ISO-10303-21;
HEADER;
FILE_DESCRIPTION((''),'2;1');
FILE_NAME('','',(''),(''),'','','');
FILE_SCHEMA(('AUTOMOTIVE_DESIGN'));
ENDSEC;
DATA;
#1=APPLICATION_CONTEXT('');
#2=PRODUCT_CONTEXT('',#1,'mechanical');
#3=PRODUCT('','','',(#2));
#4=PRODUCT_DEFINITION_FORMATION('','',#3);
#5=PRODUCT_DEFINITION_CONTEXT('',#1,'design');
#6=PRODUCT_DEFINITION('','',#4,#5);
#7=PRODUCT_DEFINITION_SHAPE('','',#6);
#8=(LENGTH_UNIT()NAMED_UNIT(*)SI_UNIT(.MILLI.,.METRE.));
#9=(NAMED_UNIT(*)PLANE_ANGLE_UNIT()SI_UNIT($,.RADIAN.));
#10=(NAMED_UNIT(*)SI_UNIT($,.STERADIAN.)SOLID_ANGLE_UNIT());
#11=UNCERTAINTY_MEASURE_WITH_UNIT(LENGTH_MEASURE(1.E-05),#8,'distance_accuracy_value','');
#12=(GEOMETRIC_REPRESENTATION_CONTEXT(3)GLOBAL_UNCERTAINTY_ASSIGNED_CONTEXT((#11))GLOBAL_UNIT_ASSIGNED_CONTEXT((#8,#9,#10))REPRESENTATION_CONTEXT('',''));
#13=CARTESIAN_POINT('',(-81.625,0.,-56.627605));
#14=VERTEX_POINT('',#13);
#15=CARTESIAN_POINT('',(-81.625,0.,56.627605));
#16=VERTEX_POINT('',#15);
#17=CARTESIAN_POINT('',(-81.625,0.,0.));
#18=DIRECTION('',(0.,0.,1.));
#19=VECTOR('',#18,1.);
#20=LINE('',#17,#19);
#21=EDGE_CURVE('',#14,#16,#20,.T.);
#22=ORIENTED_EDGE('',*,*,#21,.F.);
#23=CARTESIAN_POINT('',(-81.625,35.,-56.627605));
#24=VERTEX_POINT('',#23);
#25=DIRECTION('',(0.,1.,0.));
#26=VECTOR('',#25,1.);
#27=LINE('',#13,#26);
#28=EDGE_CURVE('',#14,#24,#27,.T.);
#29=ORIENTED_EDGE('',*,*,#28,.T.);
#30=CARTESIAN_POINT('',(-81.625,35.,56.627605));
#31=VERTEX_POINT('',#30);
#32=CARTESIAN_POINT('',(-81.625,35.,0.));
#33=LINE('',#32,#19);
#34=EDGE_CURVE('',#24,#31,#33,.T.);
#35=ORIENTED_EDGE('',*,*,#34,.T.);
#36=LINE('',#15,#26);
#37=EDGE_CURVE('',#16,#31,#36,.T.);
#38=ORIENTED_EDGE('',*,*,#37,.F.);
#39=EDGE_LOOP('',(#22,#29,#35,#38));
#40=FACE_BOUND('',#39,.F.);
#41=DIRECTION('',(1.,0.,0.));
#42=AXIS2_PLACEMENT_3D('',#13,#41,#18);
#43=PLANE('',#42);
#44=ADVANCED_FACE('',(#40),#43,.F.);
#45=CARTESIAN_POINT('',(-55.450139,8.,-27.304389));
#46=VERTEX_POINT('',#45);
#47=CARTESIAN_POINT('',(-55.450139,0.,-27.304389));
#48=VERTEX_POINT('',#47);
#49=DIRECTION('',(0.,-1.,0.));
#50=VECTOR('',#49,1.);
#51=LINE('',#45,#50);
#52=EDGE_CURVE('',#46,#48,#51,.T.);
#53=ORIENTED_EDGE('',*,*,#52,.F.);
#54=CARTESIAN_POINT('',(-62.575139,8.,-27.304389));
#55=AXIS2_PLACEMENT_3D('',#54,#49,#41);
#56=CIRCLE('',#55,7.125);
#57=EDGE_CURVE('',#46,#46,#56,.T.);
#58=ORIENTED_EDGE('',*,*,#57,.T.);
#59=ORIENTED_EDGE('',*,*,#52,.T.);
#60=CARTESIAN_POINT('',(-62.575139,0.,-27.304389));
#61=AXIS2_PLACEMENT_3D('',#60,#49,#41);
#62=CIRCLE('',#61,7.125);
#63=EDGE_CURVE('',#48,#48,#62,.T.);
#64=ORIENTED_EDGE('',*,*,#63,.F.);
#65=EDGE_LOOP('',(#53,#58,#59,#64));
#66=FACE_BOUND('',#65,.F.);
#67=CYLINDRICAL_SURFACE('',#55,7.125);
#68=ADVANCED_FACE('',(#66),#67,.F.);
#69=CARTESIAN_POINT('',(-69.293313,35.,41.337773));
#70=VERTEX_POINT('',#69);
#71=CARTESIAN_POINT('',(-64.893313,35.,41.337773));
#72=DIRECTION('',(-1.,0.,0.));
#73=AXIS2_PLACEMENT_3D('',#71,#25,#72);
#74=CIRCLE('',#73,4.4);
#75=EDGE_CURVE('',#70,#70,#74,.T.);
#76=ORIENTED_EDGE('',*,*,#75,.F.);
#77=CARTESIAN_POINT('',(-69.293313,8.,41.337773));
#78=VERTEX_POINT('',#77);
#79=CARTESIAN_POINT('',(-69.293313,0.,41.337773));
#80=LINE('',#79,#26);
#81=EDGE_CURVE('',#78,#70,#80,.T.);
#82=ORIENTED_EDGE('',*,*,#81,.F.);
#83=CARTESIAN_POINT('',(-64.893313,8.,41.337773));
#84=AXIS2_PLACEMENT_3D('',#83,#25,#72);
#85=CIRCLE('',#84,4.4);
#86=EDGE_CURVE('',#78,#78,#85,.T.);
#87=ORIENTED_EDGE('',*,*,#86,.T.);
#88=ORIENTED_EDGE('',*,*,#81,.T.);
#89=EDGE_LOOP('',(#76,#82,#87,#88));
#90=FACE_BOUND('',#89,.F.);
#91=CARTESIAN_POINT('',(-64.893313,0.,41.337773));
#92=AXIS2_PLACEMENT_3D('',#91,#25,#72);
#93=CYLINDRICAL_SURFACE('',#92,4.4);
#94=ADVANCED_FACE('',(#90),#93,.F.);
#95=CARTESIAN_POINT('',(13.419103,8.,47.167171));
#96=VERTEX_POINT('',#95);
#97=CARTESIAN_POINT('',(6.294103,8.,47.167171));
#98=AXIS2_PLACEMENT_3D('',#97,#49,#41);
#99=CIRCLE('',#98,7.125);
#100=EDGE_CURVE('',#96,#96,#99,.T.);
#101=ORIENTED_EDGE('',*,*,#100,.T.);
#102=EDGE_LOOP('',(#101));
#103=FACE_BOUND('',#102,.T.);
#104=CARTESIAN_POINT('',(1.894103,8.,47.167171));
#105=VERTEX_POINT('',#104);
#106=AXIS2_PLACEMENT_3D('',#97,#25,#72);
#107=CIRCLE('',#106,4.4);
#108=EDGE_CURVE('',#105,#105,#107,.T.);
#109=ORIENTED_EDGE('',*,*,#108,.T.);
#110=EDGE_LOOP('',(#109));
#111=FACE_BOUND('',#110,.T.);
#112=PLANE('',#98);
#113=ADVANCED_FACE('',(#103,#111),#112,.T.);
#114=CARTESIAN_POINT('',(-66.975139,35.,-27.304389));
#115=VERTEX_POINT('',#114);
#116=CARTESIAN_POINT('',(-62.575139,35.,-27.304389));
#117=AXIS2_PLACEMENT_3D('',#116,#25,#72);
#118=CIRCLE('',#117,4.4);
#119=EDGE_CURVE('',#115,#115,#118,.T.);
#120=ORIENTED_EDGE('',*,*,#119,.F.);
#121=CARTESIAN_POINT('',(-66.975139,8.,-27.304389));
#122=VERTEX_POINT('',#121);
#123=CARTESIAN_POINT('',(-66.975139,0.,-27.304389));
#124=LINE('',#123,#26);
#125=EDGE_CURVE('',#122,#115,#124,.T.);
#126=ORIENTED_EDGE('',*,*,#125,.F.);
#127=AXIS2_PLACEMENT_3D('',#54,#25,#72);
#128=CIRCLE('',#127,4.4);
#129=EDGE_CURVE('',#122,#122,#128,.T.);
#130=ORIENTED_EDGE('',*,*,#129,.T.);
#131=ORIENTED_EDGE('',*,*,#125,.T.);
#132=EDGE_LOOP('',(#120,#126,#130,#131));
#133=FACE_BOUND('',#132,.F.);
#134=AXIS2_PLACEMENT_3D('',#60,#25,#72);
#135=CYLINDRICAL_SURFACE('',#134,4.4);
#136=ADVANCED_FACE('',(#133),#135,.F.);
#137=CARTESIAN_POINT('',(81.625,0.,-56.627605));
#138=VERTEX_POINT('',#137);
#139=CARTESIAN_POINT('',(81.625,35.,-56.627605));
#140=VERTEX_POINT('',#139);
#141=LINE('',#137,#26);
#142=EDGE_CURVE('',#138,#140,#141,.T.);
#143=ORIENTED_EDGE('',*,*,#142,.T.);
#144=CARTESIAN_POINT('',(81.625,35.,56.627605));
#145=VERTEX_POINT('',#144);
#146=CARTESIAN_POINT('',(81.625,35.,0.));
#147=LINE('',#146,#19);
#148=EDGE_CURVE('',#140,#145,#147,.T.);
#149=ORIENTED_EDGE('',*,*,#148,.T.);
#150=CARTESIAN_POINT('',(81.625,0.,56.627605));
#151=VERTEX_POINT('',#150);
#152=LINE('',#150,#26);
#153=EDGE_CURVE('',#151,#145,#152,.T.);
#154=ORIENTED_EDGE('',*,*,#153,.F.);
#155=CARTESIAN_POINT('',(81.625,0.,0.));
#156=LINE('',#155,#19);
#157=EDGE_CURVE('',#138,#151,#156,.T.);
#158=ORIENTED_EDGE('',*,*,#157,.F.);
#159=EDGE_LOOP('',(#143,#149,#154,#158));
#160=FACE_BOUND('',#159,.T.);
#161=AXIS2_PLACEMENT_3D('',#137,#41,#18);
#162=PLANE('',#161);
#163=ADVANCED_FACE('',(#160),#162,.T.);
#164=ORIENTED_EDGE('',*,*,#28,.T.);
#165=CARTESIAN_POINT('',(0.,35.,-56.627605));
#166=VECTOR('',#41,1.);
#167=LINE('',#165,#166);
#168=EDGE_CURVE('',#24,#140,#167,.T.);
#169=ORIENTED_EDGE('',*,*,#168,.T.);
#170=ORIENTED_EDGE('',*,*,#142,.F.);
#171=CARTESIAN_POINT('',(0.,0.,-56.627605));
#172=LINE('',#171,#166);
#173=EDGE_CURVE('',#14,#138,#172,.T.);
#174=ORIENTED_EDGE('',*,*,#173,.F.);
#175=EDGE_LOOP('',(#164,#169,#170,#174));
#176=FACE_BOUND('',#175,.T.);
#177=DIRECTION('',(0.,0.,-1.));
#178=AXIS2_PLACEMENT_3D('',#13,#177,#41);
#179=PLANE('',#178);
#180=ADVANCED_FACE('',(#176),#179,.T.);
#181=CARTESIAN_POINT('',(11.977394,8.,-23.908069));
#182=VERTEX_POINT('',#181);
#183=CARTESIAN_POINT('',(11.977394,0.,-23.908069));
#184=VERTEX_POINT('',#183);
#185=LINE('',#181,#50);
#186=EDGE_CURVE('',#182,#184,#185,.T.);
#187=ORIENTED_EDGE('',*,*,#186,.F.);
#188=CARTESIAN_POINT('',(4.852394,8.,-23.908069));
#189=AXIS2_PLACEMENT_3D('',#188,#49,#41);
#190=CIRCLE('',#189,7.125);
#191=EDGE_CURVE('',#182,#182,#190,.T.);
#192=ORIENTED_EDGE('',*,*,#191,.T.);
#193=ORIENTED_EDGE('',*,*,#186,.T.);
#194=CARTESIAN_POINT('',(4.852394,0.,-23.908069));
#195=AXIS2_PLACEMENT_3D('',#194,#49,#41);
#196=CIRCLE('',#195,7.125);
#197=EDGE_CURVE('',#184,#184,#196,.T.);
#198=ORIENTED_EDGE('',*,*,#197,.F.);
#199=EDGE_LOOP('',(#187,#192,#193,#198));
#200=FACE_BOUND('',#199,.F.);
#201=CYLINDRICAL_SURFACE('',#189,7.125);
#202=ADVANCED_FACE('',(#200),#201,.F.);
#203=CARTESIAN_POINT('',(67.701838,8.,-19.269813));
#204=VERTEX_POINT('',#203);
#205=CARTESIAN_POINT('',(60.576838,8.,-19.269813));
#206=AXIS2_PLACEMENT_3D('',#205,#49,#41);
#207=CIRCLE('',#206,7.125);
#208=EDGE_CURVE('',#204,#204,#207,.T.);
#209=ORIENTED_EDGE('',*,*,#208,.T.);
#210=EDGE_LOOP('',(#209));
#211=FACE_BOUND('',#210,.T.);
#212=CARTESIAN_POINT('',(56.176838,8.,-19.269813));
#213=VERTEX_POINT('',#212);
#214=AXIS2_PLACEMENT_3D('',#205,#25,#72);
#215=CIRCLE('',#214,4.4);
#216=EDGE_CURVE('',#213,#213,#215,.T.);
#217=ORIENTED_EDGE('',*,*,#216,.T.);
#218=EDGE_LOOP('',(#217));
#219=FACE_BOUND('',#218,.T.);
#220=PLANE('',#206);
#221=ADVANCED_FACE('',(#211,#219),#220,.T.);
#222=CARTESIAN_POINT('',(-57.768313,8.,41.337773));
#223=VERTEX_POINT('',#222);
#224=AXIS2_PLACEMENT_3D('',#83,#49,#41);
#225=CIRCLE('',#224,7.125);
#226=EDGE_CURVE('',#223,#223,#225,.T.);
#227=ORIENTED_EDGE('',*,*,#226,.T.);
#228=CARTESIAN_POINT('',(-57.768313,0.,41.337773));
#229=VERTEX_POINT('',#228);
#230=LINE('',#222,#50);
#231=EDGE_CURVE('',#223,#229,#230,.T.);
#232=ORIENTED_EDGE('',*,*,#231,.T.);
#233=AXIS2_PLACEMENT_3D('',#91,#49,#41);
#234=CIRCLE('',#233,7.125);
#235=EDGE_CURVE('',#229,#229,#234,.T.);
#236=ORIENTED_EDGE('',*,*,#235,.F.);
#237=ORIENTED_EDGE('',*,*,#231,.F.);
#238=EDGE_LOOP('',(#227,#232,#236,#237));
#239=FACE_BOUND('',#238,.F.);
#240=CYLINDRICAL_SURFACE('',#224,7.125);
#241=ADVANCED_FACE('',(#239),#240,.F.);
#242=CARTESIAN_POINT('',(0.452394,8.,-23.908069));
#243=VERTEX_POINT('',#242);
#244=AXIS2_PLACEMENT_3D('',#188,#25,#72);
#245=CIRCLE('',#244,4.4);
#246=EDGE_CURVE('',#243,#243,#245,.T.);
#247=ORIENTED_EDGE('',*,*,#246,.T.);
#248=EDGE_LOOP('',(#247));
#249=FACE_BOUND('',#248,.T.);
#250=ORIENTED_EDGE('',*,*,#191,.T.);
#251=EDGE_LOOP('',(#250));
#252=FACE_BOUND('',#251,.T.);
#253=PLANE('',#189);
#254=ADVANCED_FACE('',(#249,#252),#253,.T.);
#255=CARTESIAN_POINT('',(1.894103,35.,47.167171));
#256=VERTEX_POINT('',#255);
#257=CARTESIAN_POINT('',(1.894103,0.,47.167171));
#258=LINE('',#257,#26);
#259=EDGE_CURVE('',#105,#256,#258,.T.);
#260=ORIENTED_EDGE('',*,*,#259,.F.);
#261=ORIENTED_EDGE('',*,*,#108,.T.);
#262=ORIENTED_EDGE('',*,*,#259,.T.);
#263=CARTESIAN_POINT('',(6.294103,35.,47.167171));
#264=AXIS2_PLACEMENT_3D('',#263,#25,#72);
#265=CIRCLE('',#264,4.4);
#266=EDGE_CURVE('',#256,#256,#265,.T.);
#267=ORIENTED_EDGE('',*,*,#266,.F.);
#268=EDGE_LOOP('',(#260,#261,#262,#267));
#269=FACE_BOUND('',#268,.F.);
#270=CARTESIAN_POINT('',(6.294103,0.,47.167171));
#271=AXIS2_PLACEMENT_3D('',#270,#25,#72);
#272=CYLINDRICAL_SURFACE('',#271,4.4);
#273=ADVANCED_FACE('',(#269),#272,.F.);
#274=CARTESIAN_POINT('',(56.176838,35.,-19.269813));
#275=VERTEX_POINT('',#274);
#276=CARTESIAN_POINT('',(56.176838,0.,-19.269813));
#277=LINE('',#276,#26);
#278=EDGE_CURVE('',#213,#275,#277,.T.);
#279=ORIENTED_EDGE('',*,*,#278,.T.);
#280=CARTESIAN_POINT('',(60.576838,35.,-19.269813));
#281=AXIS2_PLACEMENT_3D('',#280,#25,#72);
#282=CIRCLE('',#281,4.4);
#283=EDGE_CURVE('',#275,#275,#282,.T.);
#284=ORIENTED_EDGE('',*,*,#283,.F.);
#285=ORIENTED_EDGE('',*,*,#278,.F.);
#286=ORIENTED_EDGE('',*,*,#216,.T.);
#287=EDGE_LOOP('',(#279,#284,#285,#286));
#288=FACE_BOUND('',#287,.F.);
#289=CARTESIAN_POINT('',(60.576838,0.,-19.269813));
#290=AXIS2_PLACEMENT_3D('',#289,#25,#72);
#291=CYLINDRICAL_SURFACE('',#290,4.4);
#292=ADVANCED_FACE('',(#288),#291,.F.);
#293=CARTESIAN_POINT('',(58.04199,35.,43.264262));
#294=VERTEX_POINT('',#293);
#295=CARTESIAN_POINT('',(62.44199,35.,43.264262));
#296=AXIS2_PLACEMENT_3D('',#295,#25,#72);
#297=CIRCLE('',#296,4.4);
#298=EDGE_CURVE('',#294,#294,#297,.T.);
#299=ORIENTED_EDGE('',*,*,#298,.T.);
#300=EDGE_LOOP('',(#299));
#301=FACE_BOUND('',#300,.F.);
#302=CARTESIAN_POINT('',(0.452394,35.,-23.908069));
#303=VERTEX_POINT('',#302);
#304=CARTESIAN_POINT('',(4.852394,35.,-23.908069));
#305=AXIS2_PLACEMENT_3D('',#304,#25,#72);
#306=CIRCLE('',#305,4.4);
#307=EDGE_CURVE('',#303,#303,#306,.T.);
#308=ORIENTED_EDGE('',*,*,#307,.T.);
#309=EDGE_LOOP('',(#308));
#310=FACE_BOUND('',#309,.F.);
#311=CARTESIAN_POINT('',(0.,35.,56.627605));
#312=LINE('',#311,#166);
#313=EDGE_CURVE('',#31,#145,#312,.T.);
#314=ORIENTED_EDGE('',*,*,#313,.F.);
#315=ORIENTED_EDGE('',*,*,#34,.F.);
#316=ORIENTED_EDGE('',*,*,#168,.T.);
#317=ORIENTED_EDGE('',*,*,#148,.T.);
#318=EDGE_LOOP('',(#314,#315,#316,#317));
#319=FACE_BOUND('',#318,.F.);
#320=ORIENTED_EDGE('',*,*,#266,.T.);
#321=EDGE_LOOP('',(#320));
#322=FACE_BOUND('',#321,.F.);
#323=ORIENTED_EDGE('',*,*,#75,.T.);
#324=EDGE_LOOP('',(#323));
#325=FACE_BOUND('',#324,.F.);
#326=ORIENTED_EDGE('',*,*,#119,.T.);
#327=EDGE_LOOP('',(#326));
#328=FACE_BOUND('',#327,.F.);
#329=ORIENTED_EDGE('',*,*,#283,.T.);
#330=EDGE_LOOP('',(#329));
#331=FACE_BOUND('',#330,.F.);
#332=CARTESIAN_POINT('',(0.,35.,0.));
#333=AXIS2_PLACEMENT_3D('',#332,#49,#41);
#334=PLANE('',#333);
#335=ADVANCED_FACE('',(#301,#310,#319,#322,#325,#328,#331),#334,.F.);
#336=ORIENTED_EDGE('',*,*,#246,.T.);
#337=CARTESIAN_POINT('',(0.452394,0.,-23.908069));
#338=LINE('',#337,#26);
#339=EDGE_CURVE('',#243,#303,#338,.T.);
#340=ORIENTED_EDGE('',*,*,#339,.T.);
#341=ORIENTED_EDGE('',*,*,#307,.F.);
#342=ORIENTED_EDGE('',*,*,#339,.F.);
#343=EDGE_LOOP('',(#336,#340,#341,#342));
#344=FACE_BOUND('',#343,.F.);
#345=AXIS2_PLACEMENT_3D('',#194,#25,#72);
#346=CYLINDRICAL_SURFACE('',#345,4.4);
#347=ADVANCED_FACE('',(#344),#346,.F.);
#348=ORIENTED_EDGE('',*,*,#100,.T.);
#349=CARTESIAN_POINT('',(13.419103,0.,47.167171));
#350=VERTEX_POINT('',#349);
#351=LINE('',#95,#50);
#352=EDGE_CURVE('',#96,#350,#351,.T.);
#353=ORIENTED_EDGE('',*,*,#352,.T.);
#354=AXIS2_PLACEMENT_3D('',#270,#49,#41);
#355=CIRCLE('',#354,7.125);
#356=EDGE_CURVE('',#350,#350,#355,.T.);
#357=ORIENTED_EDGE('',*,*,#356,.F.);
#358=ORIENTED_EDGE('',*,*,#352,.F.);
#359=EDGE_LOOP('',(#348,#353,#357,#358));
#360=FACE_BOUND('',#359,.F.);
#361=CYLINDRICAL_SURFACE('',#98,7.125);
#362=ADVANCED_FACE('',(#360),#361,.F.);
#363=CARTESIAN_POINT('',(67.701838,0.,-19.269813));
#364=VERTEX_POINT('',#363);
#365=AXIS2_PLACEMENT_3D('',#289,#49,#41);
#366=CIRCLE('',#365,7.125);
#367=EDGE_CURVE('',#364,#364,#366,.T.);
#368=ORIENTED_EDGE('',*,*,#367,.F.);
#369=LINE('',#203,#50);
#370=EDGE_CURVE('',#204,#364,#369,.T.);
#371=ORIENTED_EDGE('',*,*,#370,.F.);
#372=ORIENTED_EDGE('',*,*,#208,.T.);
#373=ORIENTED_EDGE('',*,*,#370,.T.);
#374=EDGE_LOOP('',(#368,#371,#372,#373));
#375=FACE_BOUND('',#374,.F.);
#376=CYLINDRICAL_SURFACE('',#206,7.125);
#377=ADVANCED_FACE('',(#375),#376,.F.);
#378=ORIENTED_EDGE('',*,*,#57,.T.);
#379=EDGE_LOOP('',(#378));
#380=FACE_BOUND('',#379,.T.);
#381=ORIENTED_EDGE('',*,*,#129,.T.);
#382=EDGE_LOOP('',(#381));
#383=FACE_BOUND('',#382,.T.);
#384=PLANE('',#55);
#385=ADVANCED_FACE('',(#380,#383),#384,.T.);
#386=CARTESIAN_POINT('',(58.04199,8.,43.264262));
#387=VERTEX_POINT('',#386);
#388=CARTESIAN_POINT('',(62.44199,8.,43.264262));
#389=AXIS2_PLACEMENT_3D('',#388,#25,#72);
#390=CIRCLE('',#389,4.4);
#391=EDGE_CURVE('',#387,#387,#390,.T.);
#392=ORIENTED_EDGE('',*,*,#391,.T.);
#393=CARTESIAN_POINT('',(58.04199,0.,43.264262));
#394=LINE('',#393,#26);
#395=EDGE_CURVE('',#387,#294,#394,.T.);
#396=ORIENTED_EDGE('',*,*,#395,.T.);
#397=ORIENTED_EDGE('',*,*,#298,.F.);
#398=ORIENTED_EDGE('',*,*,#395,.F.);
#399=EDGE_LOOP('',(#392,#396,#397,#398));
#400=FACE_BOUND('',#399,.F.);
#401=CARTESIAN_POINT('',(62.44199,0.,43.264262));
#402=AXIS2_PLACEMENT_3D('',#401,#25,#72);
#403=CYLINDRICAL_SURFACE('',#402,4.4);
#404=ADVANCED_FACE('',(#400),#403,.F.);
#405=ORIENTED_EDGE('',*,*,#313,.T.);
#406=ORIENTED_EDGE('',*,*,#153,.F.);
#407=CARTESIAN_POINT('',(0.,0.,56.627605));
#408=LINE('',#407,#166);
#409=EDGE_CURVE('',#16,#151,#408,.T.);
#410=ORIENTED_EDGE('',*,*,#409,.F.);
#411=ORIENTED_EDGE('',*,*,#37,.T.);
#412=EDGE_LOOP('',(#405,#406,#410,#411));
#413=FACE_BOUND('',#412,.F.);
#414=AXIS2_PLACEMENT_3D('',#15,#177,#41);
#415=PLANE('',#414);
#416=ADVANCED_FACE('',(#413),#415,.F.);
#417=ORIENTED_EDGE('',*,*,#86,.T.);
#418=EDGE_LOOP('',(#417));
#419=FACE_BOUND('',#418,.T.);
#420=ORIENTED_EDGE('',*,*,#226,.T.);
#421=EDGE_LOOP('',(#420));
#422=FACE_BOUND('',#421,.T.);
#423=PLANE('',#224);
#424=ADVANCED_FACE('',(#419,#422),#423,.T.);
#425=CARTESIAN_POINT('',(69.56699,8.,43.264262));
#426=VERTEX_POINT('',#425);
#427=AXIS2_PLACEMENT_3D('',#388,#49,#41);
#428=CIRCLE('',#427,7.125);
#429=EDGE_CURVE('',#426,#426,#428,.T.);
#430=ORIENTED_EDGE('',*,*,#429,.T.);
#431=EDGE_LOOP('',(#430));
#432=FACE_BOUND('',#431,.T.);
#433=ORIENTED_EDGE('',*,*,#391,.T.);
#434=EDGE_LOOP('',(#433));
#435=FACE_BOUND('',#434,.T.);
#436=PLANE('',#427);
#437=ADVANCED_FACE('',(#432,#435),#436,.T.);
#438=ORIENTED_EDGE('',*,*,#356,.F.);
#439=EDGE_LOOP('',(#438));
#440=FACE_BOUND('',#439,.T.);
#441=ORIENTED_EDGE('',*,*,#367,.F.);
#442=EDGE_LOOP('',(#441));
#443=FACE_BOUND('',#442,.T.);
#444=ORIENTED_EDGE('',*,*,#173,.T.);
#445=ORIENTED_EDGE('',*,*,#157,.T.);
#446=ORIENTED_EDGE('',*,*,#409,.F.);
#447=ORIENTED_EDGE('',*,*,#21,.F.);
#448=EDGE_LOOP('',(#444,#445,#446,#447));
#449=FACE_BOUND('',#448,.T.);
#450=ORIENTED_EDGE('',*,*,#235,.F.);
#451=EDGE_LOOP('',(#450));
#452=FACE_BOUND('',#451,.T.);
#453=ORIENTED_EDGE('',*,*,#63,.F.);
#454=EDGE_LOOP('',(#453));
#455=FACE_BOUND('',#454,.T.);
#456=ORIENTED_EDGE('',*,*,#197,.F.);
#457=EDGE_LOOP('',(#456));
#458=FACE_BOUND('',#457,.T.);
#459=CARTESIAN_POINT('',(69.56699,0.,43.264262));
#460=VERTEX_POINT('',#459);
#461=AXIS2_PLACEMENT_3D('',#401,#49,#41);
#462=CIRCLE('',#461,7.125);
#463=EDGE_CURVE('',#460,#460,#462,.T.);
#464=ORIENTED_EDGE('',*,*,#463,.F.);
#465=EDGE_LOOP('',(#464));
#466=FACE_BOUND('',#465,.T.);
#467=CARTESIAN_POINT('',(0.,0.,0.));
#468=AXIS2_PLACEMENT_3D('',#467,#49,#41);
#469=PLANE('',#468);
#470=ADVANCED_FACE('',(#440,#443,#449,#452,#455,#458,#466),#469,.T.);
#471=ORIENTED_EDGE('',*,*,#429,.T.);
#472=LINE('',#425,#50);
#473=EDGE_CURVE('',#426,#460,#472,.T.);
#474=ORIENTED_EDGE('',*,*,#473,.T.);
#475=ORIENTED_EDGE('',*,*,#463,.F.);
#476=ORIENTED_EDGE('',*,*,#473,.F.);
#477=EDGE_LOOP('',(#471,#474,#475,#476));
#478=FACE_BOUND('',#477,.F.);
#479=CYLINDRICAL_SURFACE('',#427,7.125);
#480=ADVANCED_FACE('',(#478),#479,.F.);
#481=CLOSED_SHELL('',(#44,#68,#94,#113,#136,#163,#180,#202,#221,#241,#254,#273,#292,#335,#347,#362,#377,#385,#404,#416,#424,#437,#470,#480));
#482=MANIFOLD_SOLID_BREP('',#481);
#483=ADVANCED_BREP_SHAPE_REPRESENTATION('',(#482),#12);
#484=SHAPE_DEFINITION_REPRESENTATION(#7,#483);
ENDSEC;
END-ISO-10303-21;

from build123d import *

# Parameters (mm, degrees)
F0_W           = 163.2499992847
F0_H           = 113.2552102208
F1_DEPTH       = 35
F3_D           = 8.8
F3_CBORE_D     = 14.25
F3_CBORE_DEPTH = 8


with BuildPart() as f1:
    # F0 (on Front) → F1 (new body)
    with BuildSketch(Plane.XZ):
        Rectangle(F0_W, F0_H)
    extrude(amount=-F1_DEPTH)

    # F3 (through all)
    with Locations(Plane.XZ):
        with Locations((-64.8933127522, 41.3377732038), (6.2941033393, 47.1671707928), (62.4419897795, 43.2642623782), (60.5768375099, -19.2698128521), (4.8523941077, -23.9080693573), (-62.5751391053, -27.3043885827)):
            CounterBoreHole(F3_D / 2, F3_CBORE_D / 2, F3_CBORE_DEPTH)


solid = f1.part
